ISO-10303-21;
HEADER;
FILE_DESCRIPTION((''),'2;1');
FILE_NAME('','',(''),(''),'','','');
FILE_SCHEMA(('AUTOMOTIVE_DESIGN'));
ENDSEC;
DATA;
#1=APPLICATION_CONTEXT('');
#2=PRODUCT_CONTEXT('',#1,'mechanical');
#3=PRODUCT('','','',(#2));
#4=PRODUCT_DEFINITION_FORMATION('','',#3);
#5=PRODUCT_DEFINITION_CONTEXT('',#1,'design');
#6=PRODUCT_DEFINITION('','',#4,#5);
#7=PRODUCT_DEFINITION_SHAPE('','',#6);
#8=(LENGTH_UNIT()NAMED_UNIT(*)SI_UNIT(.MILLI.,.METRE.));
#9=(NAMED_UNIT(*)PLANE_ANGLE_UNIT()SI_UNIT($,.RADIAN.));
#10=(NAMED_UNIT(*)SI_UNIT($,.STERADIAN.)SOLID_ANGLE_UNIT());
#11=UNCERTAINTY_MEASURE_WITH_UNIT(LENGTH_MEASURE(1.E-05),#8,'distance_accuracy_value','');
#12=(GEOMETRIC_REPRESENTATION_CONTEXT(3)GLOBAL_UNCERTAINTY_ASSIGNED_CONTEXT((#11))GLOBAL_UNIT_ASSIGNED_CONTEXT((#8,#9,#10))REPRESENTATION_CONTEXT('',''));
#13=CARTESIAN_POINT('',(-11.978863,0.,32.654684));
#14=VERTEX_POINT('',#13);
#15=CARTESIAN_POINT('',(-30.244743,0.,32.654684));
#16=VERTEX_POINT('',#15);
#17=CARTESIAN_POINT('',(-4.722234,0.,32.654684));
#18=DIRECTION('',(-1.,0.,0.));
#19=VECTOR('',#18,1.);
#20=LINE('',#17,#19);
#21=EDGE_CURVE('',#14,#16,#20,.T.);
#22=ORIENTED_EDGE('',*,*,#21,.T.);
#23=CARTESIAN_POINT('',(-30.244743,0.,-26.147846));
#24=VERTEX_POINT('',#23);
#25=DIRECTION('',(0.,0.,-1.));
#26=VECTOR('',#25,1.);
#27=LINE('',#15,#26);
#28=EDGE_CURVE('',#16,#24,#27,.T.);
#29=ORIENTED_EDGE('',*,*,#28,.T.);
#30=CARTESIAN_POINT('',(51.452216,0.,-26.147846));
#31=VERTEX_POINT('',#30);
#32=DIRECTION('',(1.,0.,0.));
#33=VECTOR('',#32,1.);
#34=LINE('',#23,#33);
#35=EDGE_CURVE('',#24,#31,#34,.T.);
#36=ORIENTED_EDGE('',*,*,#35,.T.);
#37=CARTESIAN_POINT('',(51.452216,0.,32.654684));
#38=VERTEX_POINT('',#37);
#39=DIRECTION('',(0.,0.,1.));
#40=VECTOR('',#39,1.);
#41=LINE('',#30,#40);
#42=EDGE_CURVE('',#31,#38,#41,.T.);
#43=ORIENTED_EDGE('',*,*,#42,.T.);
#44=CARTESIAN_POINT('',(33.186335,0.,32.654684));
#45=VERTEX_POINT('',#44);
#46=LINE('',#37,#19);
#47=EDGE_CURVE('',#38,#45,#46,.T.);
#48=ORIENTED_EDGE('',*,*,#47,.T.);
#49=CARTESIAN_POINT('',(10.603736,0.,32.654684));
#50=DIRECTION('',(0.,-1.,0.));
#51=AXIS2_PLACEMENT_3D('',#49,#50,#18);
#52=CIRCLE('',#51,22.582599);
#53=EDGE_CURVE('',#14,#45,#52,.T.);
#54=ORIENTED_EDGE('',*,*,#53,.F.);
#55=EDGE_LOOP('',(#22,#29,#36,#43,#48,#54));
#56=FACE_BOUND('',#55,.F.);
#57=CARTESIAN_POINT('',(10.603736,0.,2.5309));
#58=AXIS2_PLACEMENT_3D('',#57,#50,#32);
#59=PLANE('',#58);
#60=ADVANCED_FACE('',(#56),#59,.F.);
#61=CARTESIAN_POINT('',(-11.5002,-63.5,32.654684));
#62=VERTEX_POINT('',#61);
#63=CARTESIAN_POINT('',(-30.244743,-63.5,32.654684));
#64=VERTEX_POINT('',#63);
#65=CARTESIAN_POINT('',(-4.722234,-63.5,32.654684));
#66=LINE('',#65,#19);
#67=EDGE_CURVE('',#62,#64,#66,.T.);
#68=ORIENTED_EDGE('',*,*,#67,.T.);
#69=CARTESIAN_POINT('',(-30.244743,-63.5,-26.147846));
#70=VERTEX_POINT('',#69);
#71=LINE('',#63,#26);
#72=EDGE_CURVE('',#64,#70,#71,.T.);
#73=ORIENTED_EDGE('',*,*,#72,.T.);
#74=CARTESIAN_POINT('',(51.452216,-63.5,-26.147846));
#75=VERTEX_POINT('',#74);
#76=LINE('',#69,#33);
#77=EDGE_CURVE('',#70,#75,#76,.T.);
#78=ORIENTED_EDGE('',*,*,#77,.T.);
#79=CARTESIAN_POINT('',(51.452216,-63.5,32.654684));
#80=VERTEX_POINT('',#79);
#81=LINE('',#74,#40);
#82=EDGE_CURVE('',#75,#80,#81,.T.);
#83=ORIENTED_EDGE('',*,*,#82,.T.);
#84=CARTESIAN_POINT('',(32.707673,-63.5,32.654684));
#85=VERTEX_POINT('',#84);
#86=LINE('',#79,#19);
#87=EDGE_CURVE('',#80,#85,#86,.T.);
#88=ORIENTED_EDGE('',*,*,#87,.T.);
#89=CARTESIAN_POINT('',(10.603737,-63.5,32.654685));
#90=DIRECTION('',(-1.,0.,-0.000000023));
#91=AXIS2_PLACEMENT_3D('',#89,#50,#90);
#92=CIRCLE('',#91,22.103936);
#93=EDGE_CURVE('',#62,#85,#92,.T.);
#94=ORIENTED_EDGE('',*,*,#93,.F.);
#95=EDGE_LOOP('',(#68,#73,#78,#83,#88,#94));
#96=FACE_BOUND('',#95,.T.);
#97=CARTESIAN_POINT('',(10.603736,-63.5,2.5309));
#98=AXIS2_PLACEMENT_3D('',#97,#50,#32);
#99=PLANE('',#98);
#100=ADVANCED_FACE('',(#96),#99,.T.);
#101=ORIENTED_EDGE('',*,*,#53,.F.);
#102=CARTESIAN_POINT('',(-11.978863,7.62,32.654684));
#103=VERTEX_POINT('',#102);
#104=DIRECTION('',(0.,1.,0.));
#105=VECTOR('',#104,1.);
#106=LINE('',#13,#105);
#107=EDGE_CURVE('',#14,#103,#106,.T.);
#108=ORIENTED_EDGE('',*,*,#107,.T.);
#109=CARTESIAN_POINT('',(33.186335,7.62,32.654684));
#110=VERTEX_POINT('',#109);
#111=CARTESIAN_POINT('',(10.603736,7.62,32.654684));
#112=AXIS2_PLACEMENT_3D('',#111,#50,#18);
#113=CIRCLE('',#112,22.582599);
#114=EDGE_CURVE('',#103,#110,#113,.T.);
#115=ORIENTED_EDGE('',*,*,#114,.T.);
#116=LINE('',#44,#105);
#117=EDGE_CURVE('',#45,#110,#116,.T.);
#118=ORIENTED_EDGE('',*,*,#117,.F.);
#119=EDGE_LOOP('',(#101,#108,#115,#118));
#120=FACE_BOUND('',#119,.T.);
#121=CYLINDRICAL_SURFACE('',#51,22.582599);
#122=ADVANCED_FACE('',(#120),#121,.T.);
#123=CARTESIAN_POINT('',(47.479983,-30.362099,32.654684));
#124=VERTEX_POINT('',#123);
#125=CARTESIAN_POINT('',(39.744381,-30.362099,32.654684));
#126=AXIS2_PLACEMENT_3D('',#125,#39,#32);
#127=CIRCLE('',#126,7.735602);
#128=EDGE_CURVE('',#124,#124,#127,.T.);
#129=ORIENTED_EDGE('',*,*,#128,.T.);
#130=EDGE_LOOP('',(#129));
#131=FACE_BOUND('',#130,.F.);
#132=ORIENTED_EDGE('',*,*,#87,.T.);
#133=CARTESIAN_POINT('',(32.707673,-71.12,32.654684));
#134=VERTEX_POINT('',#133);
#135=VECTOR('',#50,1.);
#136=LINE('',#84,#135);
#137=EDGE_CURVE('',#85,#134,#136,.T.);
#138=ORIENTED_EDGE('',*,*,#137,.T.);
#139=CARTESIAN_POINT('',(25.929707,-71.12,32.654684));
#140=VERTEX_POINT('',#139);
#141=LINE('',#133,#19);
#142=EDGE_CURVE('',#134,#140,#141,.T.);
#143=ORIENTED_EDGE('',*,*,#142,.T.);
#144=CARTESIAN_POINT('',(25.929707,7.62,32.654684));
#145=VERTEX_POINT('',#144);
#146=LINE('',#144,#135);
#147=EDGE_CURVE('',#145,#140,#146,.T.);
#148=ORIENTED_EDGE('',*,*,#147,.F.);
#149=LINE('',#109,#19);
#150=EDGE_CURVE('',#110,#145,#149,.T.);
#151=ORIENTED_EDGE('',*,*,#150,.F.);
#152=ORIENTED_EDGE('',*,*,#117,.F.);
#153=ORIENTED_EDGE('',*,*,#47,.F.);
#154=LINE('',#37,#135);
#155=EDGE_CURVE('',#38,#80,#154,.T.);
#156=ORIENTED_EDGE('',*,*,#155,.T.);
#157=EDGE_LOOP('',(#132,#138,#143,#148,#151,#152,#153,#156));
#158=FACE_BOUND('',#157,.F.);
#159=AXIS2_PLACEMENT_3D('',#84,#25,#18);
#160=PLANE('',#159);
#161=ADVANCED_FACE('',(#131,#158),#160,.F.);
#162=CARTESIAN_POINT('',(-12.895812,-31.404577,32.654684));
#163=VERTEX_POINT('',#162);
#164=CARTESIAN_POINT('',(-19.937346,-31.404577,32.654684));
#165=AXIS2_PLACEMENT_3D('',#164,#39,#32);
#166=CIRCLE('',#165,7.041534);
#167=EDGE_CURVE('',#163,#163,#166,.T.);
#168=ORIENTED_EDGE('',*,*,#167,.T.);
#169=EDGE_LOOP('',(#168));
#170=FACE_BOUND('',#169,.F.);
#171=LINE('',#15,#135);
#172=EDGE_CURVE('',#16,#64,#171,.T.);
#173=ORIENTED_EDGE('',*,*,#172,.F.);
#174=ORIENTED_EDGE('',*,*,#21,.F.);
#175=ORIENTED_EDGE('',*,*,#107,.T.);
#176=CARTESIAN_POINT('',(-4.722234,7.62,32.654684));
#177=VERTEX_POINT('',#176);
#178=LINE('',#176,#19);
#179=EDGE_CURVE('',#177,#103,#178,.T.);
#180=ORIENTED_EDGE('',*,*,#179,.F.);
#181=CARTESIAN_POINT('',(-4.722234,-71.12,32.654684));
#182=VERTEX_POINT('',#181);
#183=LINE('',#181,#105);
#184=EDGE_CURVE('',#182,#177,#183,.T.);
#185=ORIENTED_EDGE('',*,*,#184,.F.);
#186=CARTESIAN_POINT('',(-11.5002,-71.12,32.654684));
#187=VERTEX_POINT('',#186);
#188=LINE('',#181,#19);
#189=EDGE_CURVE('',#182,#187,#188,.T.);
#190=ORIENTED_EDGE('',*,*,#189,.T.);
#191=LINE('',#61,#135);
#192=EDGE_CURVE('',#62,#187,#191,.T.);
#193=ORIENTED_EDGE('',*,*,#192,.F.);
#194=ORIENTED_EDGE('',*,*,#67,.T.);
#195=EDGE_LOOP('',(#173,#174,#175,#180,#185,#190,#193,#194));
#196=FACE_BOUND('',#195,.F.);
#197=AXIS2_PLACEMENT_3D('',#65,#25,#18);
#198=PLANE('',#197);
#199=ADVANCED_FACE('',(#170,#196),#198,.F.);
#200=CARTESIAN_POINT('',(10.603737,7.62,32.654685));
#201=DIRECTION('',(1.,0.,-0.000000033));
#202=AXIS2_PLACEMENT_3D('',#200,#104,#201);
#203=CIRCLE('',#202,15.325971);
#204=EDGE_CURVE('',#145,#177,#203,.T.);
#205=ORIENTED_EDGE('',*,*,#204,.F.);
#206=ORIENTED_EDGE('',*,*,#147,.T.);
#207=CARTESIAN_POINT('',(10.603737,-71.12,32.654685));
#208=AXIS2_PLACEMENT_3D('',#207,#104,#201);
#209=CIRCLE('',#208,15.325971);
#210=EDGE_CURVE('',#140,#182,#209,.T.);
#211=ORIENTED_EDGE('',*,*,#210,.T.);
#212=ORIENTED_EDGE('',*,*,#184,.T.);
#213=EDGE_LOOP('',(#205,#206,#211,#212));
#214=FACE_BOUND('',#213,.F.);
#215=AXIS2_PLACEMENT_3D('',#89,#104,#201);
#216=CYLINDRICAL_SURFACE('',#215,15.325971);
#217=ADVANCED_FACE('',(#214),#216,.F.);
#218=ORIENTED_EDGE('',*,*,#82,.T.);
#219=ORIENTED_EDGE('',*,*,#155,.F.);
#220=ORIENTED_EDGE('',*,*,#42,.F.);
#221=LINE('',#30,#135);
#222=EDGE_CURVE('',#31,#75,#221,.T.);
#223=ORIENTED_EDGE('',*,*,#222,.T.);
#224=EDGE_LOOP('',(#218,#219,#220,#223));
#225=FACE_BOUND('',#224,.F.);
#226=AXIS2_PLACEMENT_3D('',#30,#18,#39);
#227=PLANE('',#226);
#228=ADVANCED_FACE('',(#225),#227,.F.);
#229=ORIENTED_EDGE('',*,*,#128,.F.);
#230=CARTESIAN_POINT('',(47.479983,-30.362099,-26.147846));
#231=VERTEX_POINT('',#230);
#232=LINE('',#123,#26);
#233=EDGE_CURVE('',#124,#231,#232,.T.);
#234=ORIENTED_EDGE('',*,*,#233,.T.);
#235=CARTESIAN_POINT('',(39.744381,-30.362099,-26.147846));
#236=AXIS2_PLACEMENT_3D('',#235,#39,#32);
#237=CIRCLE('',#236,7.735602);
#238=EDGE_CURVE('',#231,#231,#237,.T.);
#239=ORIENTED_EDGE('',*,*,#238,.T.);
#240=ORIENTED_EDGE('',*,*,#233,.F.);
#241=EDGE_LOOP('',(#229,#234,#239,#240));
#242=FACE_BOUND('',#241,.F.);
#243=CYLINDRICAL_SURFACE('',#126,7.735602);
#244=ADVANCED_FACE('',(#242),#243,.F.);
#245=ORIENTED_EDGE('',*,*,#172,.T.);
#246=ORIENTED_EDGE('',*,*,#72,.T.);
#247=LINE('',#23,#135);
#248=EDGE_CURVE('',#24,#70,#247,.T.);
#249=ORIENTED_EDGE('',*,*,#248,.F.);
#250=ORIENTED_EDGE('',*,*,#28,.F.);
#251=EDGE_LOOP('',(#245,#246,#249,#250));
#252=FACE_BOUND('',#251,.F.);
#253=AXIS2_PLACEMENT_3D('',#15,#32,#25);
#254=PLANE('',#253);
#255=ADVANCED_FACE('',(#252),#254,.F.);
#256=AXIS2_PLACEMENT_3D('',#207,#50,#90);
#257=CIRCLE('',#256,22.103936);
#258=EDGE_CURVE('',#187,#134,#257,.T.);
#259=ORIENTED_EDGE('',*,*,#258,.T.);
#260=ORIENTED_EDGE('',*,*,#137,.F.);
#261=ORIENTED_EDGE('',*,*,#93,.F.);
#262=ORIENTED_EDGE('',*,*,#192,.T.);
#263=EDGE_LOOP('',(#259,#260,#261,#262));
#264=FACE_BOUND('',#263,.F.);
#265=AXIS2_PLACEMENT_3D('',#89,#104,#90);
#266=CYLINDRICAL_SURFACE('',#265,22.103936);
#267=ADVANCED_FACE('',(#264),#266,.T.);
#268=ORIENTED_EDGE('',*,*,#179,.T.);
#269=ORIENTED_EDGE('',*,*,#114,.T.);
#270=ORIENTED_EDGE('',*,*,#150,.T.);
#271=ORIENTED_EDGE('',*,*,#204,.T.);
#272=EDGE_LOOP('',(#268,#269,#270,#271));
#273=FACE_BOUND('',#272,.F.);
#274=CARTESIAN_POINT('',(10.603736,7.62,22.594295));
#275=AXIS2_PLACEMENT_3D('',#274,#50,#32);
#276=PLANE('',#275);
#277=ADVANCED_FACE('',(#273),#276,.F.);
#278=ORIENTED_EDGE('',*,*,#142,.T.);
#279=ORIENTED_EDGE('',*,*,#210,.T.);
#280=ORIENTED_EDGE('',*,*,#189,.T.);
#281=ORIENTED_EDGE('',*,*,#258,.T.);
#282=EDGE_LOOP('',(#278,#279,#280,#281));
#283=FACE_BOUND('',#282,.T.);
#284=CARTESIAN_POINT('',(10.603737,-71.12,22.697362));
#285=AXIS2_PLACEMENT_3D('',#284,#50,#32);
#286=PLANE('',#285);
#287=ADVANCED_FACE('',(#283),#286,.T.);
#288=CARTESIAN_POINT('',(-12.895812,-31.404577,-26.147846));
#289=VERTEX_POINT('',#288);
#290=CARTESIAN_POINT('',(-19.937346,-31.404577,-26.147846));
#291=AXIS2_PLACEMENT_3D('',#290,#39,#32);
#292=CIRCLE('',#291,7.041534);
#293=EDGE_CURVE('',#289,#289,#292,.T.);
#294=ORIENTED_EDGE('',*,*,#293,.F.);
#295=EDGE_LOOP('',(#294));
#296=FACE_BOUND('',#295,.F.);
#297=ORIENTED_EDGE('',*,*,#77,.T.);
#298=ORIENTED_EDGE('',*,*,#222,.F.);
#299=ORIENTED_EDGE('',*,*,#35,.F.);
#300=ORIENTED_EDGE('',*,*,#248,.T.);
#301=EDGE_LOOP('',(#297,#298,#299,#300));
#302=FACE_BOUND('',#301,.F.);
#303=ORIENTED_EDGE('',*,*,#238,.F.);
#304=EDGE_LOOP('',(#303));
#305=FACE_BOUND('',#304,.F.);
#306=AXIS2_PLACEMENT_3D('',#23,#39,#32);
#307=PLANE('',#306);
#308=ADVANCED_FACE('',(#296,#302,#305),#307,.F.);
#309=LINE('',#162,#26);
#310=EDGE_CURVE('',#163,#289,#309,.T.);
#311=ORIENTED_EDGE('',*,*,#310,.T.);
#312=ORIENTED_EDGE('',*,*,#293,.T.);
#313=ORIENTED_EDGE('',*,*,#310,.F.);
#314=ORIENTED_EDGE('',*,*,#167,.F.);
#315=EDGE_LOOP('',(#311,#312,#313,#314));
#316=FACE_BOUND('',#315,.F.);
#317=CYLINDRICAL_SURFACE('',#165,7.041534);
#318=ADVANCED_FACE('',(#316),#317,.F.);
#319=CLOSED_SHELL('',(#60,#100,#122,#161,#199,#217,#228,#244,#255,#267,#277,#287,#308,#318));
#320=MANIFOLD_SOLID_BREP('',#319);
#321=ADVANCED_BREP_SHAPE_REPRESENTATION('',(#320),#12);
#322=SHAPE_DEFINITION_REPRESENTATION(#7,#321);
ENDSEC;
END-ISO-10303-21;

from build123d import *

# Parameters (mm, degrees)
F1_DEPTH = 63.5
F2_DEPTH = 7.62
F4_DEPTH = 7.62
F5_R     = 7.735602
F6_DEPTH = 73.152
F5_R_2   = 7.041534
F7_DEPTH = 76.2


with BuildPart() as f1:
    # F0 (on Front) → F1 (new body)
    with BuildSketch(Plane.XZ):
        with BuildLine():
            Line((-11.978863, 32.654684), (-30.244743, 32.654684))
            Line((-30.244743, 32.654684), (-30.244743, -26.147846))
            Line((-30.244743, -26.147846), (51.452216, -26.147846))
            Line((51.452216, -26.147846), (51.452216, 32.654684))
            Line((51.452216, 32.654684), (33.186335, 32.654684))
            ThreePointArc((33.186335, 32.654684), (10.603736, 10.072085), (-11.978863, 32.654684))
        make_face()
        with BuildLine():
            Line((-4.722234, 32.654684), (-11.978863, 32.654684))
            ThreePointArc((-11.978863, 32.654684), (10.603736, 10.072085), (33.186335, 32.654684))
            Line((33.186335, 32.654684), (25.929707, 32.654684))
            ThreePointArc((25.929707, 32.654684), (10.603736, 17.328714), (-4.722234, 32.654684))
        make_face()
    extrude(amount=F1_DEPTH)

    # F0 (on Front) → F2 (join)
    with BuildSketch(Plane.XZ):
        with BuildLine():
            Line((-4.722234, 32.654684), (-11.978863, 32.654684))
            ThreePointArc((-11.978863, 32.654684), (10.603736, 10.072085), (33.186335, 32.654684))
            Line((33.186335, 32.654684), (25.929707, 32.654684))
            ThreePointArc((25.929707, 32.654684), (10.603736, 17.328714), (-4.722234, 32.654684))
        make_face()
    extrude(amount=-F2_DEPTH)

    # F3 (on face) → F4 (join)
    with BuildSketch(Plane.XZ.offset(63.5)):
        with BuildLine():
            ThreePointArc((-11.5002, 32.654684), (10.603736, 10.550748), (32.707673, 32.654684))
            Line((32.707673, 32.654684), (25.929707, 32.654684))
            ThreePointArc((25.929707, 32.654684), (10.603736, 17.328714), (-4.722234, 32.654684))
            Line((-4.722234, 32.654684), (-11.5002, 32.654684))
        make_face()
    extrude(amount=F4_DEPTH)

    # F5 (on face) → F6 (cut)
    with BuildSketch(Plane.XY.offset(32.654684)):
        with Locations((39.744381, -30.362099)):
            Circle(F5_R)
    extrude(amount=-F6_DEPTH, mode=Mode.SUBTRACT)

    # F5 (on face) → F7 (cut)
    with BuildSketch(Plane.XY.offset(32.654684)):
        with Locations((-19.937346, -31.404577)):
            Circle(F5_R_2)
        with Locations((39.744381, -30.362099)):
            Circle(F5_R)
    extrude(amount=-F7_DEPTH, mode=Mode.SUBTRACT)


solid = f1.part
